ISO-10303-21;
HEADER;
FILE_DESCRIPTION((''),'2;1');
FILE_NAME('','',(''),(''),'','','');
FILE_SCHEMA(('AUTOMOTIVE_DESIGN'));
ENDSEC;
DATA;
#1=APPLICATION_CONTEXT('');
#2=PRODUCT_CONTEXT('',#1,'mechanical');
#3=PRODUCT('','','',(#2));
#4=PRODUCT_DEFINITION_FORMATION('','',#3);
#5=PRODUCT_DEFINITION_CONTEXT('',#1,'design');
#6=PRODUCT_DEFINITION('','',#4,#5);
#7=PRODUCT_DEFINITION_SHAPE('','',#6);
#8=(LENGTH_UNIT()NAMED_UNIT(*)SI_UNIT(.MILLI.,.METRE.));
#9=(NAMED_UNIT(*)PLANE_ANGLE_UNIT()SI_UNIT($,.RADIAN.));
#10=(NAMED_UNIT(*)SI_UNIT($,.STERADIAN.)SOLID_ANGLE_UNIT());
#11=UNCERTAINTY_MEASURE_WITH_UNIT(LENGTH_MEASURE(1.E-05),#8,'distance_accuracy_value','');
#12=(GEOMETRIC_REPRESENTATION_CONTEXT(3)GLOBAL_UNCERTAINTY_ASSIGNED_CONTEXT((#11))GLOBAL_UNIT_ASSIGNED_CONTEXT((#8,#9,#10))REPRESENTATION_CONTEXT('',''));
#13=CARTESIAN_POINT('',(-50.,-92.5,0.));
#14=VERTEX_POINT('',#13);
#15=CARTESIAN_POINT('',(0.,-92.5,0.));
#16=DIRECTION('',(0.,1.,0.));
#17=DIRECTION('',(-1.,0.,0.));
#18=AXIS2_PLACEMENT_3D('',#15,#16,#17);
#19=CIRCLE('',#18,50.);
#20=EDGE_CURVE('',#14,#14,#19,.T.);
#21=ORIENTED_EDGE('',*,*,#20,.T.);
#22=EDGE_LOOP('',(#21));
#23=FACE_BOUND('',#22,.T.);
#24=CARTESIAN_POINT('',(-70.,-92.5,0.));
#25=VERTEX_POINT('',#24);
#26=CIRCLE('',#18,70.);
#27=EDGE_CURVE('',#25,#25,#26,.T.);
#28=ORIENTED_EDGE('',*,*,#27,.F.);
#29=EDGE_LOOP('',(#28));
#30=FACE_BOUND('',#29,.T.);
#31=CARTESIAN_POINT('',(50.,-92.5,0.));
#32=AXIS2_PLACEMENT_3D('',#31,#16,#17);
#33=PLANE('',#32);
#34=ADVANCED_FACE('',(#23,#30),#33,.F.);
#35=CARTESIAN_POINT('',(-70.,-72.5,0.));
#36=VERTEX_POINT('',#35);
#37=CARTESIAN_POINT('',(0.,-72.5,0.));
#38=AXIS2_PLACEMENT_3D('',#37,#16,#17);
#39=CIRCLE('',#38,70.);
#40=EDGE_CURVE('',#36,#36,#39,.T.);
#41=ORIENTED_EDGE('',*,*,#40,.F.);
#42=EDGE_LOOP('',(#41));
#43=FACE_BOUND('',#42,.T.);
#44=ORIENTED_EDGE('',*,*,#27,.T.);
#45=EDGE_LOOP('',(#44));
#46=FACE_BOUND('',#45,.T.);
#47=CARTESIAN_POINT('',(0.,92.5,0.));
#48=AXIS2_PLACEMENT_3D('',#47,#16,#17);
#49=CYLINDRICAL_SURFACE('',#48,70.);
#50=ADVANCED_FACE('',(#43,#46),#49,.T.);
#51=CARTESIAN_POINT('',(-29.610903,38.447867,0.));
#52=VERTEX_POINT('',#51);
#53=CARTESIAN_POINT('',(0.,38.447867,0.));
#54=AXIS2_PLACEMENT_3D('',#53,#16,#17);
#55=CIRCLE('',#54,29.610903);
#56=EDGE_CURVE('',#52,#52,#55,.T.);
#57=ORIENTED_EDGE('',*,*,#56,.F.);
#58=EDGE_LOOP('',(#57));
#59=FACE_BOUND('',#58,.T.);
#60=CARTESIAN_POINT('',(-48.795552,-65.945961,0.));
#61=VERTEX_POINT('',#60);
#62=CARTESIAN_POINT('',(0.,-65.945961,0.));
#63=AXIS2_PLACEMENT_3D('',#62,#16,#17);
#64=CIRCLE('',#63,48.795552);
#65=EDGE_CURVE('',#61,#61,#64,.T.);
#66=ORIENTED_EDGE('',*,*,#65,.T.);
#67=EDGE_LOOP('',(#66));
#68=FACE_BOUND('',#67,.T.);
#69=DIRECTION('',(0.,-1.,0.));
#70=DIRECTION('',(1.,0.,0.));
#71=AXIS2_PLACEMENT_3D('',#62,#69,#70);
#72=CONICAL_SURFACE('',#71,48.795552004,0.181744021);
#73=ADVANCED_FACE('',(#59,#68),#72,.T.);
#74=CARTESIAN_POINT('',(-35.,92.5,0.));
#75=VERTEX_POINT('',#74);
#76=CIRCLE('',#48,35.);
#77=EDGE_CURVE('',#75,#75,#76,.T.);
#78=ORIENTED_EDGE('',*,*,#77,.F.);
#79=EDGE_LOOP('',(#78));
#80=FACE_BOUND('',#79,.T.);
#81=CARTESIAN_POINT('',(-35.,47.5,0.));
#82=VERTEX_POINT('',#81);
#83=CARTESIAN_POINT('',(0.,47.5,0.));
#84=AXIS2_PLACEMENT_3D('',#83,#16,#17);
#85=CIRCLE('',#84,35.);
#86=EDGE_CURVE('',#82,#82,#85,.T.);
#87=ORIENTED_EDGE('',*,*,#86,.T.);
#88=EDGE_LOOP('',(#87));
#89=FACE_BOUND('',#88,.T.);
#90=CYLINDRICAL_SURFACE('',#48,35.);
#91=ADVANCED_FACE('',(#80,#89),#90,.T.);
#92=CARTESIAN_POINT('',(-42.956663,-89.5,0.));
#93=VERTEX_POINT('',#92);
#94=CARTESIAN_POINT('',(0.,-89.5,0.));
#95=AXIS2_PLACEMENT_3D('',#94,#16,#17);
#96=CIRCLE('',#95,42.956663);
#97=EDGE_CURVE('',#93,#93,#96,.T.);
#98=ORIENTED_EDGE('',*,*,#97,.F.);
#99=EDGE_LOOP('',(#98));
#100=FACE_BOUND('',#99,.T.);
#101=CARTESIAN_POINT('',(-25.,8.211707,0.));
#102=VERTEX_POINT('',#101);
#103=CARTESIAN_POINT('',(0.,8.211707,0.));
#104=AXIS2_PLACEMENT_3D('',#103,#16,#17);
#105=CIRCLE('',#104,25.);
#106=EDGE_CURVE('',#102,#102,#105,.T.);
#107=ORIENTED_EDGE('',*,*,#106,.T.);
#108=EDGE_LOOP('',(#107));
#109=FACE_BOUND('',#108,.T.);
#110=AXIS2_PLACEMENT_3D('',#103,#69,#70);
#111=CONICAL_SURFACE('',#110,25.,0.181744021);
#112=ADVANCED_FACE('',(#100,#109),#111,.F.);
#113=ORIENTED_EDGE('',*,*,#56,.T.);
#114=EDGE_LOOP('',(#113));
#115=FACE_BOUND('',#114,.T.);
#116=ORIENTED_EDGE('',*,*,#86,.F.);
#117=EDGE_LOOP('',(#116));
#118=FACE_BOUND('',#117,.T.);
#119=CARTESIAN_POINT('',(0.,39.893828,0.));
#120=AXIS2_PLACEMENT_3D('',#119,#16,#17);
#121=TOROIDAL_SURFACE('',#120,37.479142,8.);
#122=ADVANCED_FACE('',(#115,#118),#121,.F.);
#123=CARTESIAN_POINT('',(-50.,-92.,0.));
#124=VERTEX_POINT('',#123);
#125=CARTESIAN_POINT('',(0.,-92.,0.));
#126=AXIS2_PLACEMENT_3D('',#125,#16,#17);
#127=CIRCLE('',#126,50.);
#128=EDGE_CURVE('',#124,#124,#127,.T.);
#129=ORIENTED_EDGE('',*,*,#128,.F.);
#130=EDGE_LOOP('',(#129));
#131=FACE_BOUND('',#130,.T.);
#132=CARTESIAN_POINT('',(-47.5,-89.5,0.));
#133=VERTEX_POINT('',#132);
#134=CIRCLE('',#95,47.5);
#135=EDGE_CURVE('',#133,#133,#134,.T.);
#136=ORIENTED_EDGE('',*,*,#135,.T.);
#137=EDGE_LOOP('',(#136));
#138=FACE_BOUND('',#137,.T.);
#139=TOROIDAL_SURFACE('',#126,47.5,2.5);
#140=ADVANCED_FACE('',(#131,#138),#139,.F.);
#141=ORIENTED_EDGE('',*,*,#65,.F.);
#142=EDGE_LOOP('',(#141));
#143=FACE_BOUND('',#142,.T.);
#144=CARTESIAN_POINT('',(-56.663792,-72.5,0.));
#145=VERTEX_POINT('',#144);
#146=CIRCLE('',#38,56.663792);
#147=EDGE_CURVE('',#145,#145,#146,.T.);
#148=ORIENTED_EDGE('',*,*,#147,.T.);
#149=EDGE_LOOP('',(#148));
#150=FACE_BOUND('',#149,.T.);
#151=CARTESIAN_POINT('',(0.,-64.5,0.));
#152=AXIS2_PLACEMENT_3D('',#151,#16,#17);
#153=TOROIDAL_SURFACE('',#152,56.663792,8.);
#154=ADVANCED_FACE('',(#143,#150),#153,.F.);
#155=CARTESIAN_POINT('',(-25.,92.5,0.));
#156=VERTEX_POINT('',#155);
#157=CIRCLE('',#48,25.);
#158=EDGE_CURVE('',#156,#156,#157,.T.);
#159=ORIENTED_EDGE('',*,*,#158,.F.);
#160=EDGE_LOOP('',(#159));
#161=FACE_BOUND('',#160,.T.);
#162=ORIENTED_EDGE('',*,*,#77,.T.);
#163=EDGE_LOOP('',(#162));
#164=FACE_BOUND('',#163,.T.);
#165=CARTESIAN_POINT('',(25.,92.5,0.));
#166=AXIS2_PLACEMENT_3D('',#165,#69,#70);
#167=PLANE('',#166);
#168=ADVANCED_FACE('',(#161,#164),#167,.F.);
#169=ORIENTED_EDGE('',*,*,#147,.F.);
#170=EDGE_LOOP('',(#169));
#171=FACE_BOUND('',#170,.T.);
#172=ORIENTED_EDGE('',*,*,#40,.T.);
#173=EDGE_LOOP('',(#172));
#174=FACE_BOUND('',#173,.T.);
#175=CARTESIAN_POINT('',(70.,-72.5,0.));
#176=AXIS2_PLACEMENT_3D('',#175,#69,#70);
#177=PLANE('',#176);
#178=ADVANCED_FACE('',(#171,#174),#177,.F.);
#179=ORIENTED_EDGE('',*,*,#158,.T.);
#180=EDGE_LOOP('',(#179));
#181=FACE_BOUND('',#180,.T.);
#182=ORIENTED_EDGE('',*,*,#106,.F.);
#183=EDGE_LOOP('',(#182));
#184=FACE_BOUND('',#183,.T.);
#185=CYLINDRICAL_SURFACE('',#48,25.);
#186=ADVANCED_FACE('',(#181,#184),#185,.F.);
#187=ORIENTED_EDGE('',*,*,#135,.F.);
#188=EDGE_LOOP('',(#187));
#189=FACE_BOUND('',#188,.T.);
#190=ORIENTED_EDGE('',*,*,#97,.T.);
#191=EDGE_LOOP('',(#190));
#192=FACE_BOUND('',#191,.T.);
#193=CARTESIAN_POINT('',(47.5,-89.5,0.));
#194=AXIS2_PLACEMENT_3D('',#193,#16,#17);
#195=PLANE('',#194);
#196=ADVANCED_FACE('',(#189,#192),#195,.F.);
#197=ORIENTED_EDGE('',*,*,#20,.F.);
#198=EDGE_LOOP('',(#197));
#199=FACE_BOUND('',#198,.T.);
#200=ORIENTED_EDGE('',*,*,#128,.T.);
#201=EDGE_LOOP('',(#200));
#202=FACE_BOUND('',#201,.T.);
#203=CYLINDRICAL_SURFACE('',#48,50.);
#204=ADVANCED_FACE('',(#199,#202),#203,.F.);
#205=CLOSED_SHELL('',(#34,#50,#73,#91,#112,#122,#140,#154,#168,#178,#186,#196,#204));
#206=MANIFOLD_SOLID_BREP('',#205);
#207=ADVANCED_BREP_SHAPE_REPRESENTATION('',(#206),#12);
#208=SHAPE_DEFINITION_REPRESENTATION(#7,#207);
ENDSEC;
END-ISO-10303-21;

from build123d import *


with BuildPart() as part:
    # Sketch3 → Revolve1 (revolve)
    with BuildSketch(Plane.XY, mode=Mode.PRIVATE) as revolve1_sk:
        with BuildLine():
            Line((25, 92.5), (25, 8.21170714))
            Line((25, 8.21170714), (42.956663453, -89.5))
            Line((42.956663453, -89.5), (47.5, -89.5))
            ThreePointArc((47.5, -89.5), (49.267766953, -90.232233047), (50, -92))
            Line((50, -92), (50, -92.5))
            Line((50, -92.5), (70, -92.5))
            Line((70, -92.5), (70, -72.5))
            Line((70, -72.5), (56.663791728, -72.5))
            ThreePointArc((56.663791728, -72.5), (51.543620306, -70.646856482), (48.795552004, -65.945961153))
            Line((48.795552004, -65.945961153), (29.610902689, 38.447866821))
            ThreePointArc((29.610902689, 38.447866821), (30.60510735, 43.986216269), (35, 47.5))
            Line((35, 47.5), (35, 92.5))
            Line((35, 92.5), (25, 92.5))
        make_face()
    revolve(revolve1_sk.sketch.rotate(Axis((0, 92.5, 0), (0, -1, 0)), 180), axis=Axis((0, 92.5, 0), (0, -1, 0)))


solid = part.part
